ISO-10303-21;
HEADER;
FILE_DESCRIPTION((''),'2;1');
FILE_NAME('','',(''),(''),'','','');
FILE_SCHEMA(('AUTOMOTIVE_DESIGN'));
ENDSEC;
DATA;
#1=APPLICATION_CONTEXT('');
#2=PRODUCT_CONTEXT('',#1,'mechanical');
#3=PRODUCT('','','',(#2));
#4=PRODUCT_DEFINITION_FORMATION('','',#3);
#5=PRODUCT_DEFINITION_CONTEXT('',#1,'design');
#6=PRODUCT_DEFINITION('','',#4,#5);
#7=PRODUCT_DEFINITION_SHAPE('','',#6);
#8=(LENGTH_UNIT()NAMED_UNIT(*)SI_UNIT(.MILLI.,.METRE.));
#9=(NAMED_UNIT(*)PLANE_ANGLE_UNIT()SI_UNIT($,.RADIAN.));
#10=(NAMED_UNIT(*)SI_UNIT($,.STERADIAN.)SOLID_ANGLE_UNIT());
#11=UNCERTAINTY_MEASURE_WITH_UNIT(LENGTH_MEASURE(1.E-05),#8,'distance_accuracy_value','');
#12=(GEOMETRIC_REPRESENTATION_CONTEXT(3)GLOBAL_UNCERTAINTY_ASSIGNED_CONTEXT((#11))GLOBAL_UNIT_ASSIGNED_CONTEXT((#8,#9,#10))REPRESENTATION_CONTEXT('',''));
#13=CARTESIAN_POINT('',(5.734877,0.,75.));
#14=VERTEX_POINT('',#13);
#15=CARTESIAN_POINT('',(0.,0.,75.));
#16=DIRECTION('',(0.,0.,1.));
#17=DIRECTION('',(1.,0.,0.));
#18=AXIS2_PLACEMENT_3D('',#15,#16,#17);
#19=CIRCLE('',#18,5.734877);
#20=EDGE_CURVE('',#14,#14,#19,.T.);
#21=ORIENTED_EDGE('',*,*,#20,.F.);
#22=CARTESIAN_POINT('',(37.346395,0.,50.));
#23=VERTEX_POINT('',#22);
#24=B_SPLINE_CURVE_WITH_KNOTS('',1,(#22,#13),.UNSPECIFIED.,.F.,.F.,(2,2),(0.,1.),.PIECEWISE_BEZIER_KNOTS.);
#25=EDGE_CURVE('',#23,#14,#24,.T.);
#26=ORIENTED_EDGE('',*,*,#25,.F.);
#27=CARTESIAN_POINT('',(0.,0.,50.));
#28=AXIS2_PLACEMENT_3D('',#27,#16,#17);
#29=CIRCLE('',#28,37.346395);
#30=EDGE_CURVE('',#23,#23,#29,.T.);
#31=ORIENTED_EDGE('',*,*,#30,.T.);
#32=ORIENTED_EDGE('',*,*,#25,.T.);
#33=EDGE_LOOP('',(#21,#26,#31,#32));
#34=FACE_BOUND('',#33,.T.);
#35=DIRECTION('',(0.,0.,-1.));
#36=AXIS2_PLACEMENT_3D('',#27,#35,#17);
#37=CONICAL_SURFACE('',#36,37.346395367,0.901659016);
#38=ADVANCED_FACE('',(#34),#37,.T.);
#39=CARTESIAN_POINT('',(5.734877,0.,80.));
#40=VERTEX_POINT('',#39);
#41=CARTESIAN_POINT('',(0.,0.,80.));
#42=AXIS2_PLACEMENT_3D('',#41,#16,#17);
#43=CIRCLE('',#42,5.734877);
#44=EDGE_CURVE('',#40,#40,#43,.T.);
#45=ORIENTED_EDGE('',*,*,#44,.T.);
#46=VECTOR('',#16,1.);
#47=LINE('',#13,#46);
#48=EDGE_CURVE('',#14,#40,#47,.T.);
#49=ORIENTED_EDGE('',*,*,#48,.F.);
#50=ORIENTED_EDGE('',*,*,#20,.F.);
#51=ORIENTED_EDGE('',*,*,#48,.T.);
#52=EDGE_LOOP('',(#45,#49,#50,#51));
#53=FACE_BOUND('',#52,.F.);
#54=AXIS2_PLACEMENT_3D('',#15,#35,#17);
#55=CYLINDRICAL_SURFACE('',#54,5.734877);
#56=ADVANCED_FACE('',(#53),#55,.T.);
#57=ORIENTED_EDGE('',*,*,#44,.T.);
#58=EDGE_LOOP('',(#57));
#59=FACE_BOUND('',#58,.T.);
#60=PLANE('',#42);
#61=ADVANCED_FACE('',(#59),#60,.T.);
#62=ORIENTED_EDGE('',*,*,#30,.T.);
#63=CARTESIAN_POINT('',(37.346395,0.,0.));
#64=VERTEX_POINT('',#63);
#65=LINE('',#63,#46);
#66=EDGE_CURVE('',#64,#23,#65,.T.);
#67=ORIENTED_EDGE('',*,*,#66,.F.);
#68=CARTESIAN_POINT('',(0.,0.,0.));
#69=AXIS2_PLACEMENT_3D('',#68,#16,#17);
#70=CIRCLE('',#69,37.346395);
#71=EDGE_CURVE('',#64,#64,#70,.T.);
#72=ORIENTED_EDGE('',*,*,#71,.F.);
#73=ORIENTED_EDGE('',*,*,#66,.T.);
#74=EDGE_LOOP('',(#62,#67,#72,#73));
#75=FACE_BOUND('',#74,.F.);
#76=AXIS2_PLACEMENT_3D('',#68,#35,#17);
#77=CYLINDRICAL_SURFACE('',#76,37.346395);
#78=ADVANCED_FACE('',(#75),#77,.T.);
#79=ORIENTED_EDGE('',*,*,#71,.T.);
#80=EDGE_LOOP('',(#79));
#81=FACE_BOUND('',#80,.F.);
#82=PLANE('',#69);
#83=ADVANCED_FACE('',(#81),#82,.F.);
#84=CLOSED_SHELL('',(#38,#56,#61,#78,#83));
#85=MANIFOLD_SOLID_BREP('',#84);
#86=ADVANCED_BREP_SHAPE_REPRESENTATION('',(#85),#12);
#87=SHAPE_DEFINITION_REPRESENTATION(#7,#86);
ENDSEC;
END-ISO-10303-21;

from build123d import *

# Parameters (mm, degrees)
F0_R      = 37.3463953666
F1_DEPTH  = 50
F1_FACE_R = 37.3463953666
F3_R      = 5.7348766561
F5_DEPTH  = 5


with BuildPart() as f1:
    # F0 (on Top) → F1 (new body)
    with BuildSketch(Plane.XY):
        Circle(F0_R)
    extrude(amount=F1_DEPTH)

    # F1_face (on face) → F4 section 0
    with BuildSketch(Plane.XY.offset(50)):
        Circle(F1_FACE_R)
    # F3 (on offset) → F4 section 1
    with BuildSketch(Plane.XY.offset(75)):
        Circle(F3_R)
    loft()

    # F5 (add): a face of the model
    f5_faces = [f1.faces().sort_by_distance(p)[0] for p in [
        (0, 0, 75),
    ]]
    extrude(f5_faces, amount=F5_DEPTH)


solid = f1.part
